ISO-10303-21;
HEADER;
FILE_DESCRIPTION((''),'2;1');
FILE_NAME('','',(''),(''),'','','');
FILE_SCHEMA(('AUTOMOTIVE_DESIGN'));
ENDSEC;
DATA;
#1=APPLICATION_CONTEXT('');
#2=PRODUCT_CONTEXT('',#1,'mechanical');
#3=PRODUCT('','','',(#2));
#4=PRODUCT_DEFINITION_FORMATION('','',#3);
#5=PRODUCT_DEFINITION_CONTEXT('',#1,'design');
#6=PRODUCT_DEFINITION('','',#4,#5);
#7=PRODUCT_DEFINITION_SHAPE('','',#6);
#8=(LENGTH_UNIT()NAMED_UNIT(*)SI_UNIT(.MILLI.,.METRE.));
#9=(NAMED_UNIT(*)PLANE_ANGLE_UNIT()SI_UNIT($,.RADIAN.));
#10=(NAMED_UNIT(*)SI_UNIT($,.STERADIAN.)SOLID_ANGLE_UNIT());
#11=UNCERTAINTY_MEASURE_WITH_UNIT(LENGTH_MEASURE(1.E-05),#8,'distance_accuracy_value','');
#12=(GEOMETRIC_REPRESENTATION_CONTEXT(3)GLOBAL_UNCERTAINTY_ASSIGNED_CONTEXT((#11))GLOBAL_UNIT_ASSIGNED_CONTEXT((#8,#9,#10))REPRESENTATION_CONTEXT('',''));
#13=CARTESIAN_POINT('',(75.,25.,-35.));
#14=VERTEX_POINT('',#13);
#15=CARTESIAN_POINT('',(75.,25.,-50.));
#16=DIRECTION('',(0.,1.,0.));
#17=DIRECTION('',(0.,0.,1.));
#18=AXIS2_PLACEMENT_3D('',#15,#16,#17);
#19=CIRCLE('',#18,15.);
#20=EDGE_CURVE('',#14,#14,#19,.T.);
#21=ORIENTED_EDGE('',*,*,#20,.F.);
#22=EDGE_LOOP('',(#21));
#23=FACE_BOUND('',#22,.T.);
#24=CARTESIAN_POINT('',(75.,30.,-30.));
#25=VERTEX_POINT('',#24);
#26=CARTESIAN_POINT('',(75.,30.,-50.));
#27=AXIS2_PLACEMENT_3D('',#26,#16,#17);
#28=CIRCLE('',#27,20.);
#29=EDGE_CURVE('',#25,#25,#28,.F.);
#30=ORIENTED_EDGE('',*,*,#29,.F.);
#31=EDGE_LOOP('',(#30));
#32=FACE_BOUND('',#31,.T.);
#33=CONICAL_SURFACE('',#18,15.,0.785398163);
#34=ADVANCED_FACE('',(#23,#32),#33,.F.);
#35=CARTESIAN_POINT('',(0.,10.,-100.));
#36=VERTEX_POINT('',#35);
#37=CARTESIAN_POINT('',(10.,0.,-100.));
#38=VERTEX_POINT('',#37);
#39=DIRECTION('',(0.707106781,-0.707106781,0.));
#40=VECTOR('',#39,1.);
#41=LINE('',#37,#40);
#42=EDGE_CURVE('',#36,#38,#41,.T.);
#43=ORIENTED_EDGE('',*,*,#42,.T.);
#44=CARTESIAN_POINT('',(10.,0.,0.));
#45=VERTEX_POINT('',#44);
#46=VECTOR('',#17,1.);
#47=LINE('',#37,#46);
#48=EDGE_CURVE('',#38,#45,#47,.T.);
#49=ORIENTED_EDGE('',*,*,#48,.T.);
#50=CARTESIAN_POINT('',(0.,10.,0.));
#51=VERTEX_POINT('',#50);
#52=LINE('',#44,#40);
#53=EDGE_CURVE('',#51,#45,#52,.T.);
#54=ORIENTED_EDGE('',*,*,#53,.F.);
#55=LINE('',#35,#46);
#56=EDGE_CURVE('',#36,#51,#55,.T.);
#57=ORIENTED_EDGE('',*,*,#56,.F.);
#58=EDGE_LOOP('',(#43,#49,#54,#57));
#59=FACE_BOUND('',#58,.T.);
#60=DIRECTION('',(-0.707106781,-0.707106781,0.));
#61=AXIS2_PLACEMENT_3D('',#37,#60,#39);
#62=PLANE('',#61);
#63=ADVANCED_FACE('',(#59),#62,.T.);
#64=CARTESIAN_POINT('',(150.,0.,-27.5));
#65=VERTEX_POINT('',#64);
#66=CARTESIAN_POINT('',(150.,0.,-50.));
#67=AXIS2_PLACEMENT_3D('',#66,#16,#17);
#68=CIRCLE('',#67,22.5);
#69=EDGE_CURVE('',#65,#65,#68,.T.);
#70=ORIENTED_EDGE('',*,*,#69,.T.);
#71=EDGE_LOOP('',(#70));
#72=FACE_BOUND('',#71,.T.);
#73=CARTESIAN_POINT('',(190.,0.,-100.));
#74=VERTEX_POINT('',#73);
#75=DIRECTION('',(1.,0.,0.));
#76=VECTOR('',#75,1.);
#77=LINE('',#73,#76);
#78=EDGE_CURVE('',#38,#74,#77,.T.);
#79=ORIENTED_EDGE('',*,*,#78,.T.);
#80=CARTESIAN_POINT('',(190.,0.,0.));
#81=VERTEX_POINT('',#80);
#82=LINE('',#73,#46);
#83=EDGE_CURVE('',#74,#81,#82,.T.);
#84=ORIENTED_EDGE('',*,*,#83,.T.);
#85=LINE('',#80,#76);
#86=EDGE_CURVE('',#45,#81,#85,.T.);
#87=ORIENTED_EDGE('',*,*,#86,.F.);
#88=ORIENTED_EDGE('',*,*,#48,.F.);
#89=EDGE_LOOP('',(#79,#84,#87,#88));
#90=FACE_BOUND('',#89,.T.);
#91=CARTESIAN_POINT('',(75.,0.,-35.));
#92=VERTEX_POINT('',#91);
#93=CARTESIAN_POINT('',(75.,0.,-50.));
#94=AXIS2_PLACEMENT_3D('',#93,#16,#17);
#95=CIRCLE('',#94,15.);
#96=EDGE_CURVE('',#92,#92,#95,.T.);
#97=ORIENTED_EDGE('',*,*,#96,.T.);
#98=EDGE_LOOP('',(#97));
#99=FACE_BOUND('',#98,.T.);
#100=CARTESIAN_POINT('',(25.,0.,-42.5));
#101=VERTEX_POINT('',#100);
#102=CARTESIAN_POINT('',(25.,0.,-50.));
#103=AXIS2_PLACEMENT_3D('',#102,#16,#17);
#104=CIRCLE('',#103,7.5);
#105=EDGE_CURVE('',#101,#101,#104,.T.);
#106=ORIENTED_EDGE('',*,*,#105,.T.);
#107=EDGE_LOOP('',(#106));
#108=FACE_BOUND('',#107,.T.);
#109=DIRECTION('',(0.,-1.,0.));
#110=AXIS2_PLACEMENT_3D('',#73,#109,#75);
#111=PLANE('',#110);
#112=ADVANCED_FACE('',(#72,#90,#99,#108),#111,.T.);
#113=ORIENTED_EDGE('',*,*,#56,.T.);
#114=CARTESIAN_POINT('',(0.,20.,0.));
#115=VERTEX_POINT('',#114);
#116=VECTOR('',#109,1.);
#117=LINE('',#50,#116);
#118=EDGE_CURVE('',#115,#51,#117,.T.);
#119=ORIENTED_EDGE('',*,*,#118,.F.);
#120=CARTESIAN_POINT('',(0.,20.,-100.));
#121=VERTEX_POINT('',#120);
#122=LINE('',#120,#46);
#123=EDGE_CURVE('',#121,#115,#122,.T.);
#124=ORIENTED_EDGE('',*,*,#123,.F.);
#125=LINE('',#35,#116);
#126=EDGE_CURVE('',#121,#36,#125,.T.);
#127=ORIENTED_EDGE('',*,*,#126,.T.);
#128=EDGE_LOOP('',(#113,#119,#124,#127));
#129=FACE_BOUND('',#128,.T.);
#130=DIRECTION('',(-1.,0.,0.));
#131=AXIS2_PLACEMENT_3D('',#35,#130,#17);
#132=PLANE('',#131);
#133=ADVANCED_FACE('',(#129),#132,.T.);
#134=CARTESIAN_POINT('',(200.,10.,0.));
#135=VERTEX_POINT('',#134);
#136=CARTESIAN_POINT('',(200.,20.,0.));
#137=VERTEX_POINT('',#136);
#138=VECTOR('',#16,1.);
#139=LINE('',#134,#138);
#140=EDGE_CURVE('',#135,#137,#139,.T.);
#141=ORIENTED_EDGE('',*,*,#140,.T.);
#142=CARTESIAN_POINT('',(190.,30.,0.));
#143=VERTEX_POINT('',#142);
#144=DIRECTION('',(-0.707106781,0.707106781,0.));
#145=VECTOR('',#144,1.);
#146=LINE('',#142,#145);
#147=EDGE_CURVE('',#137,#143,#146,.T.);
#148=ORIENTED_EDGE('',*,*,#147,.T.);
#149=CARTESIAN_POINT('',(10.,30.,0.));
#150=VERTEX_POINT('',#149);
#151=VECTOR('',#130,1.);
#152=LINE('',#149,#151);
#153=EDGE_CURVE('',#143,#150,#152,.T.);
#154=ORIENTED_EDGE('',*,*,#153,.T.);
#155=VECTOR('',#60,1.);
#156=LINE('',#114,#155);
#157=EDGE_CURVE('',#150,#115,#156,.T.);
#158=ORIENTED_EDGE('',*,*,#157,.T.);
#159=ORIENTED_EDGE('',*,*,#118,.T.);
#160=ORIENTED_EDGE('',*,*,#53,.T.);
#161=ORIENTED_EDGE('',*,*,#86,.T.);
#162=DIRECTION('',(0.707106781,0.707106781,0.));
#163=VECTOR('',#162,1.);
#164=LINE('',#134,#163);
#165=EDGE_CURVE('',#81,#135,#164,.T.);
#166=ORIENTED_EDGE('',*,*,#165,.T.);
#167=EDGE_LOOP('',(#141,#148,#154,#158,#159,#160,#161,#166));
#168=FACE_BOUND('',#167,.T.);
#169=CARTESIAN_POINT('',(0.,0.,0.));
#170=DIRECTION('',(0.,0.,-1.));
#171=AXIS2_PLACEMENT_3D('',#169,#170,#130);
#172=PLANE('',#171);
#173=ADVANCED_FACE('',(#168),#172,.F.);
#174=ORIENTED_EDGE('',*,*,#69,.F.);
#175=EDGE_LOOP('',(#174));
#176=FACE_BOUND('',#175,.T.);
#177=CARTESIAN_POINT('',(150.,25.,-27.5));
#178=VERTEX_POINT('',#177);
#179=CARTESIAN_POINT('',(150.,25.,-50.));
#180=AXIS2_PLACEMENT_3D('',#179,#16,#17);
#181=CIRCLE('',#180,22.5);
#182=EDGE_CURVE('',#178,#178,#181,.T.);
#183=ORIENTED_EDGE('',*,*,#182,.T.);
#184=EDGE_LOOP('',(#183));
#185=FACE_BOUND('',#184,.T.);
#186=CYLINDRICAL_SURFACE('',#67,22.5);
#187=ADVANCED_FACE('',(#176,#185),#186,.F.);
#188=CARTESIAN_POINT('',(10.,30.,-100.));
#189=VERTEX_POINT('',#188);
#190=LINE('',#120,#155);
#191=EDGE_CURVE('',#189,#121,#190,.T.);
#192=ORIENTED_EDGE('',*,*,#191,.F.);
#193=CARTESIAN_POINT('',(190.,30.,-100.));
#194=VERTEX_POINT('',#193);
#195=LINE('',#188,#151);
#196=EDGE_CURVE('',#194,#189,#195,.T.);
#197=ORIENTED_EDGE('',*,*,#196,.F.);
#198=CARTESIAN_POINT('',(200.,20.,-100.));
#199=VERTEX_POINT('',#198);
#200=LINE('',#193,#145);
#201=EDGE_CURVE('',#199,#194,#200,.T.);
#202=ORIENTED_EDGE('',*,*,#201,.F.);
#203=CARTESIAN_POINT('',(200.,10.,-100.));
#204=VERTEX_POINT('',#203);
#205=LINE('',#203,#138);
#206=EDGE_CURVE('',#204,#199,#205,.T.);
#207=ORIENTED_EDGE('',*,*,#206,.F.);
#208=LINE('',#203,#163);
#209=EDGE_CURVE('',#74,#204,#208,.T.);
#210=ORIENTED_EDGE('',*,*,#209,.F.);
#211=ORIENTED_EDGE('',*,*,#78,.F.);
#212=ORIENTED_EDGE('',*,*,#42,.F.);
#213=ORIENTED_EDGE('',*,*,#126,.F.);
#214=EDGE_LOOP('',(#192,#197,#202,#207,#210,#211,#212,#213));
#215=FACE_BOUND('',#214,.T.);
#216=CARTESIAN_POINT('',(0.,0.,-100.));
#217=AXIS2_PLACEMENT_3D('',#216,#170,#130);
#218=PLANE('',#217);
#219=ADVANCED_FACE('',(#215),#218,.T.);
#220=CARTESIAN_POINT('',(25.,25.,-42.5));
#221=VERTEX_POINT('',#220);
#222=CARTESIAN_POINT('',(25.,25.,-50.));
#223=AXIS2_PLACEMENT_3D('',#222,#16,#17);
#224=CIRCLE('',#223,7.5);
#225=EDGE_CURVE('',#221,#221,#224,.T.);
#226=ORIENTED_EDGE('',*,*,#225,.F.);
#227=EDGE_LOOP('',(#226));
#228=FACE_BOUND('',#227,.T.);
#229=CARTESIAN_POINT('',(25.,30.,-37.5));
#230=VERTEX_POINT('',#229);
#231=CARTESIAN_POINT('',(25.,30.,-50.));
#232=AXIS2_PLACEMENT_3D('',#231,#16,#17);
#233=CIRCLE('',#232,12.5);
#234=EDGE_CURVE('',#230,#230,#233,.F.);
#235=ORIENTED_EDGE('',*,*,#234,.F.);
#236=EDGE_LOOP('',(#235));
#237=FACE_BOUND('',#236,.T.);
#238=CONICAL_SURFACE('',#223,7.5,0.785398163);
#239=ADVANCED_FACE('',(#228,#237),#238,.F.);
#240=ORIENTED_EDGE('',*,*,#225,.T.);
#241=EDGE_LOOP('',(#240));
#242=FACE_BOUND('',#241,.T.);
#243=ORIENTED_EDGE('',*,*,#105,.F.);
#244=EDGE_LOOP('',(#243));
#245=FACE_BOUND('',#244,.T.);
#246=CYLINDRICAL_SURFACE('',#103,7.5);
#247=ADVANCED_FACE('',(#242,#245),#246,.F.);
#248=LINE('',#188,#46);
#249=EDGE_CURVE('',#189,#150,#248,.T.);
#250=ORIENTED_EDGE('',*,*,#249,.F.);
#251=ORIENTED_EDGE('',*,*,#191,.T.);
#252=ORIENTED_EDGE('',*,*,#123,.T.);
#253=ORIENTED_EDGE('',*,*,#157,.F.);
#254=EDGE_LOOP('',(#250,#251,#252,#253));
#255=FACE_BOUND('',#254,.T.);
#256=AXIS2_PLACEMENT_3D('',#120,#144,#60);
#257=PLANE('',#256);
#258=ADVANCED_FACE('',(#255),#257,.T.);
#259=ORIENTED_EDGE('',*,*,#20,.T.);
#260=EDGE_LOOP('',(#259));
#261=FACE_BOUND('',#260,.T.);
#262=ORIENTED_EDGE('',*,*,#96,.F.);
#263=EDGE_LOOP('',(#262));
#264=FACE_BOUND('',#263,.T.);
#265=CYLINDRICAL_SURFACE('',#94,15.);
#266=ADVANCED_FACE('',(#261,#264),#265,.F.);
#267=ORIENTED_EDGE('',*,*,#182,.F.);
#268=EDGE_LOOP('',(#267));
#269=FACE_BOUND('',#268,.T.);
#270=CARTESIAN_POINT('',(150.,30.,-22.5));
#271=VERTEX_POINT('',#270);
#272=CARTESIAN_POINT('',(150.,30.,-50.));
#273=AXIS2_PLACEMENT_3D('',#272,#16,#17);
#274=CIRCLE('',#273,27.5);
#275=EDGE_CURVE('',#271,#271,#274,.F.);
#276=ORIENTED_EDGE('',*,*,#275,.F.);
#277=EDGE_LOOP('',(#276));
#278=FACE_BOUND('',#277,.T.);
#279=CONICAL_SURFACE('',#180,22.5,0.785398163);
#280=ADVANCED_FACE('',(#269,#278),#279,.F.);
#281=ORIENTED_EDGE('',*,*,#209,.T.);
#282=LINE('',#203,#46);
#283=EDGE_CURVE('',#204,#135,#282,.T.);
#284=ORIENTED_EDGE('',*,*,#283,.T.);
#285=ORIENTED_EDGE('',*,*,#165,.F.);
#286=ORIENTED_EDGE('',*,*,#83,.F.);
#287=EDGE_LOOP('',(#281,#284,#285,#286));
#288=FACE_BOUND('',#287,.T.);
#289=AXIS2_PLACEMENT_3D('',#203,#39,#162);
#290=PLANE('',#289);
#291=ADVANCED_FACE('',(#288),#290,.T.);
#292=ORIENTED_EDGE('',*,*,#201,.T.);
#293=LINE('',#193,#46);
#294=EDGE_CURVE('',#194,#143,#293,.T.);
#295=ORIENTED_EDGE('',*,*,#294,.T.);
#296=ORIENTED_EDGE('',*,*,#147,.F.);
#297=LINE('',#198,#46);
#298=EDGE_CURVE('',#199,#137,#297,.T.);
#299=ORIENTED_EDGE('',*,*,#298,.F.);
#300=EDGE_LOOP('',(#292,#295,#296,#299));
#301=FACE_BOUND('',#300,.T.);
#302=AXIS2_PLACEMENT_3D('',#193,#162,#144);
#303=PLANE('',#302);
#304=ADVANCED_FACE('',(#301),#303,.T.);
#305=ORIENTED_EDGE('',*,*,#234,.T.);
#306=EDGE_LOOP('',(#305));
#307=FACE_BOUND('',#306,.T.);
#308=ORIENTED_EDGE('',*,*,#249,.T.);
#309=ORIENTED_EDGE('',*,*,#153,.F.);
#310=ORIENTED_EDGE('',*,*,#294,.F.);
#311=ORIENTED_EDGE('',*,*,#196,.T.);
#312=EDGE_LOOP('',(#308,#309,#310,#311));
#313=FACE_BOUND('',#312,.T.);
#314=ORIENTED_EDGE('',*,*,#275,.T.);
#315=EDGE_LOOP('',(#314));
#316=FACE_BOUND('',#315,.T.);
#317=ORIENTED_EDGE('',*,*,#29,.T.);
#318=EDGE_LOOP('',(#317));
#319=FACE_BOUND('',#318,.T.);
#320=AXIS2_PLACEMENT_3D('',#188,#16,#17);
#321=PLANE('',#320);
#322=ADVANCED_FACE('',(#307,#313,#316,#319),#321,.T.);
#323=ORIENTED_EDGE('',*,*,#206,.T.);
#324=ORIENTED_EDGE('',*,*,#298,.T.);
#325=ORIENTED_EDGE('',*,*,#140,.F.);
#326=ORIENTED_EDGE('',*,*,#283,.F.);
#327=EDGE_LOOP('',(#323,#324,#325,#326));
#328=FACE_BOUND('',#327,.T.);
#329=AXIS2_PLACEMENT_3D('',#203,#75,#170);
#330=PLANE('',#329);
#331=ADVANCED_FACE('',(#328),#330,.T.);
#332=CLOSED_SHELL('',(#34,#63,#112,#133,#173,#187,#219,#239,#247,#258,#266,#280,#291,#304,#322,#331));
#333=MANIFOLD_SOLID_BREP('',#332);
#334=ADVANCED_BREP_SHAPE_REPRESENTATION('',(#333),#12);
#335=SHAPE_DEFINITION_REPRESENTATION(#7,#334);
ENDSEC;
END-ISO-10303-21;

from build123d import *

# Parameters (mm, degrees)
SALIENTE_EXTRUIR1_DEPTH = 100
CROQUIS3_R              = 7.5
CROQUIS3_R_2            = 15
CROQUIS3_R_3            = 22.5
CORTAR_EXTRUIR1_DEPTH   = 226.610283454
CHAFL_N1_SIZE           = 5


with BuildPart() as part:
    # Croquis2 → Saliente-Extruir1 (new body)
    with BuildSketch(Plane.XY):
        Polygon((10, 30), (190, 30), (200, 20), (200, 10), (190, 0), (10, 0), (0, 10), (0, 20), align=None)
    extrude(amount=-SALIENTE_EXTRUIR1_DEPTH)

    # Croquis3 → Cortar-Extruir1 (cut, through all)
    with BuildSketch(Plane(origin=(0, 30, 0), x_dir=(1, 0, 0), z_dir=(0, 1, 0))):
        with Locations(Location((25, 50, 0), (0, 0, 270))):
            Circle(CROQUIS3_R)
        with Locations(Location((75, 50, 0), (0, 0, 270))):
            Circle(CROQUIS3_R_2)
        with Locations(Location((150, 50, 0), (0, 0, 270))):
            Circle(CROQUIS3_R_3)
    extrude(amount=-CORTAR_EXTRUIR1_DEPTH, mode=Mode.SUBTRACT)

    # Chaflán1
    chafl_n1_edges = [part.edges().sort_by_distance(p)[0] for p in [
        (25, 30, -57.5),
        (75, 30, -65),
        (150, 30, -72.5),
    ]]
    chamfer(chafl_n1_edges, length=CHAFL_N1_SIZE)


solid = part.part
